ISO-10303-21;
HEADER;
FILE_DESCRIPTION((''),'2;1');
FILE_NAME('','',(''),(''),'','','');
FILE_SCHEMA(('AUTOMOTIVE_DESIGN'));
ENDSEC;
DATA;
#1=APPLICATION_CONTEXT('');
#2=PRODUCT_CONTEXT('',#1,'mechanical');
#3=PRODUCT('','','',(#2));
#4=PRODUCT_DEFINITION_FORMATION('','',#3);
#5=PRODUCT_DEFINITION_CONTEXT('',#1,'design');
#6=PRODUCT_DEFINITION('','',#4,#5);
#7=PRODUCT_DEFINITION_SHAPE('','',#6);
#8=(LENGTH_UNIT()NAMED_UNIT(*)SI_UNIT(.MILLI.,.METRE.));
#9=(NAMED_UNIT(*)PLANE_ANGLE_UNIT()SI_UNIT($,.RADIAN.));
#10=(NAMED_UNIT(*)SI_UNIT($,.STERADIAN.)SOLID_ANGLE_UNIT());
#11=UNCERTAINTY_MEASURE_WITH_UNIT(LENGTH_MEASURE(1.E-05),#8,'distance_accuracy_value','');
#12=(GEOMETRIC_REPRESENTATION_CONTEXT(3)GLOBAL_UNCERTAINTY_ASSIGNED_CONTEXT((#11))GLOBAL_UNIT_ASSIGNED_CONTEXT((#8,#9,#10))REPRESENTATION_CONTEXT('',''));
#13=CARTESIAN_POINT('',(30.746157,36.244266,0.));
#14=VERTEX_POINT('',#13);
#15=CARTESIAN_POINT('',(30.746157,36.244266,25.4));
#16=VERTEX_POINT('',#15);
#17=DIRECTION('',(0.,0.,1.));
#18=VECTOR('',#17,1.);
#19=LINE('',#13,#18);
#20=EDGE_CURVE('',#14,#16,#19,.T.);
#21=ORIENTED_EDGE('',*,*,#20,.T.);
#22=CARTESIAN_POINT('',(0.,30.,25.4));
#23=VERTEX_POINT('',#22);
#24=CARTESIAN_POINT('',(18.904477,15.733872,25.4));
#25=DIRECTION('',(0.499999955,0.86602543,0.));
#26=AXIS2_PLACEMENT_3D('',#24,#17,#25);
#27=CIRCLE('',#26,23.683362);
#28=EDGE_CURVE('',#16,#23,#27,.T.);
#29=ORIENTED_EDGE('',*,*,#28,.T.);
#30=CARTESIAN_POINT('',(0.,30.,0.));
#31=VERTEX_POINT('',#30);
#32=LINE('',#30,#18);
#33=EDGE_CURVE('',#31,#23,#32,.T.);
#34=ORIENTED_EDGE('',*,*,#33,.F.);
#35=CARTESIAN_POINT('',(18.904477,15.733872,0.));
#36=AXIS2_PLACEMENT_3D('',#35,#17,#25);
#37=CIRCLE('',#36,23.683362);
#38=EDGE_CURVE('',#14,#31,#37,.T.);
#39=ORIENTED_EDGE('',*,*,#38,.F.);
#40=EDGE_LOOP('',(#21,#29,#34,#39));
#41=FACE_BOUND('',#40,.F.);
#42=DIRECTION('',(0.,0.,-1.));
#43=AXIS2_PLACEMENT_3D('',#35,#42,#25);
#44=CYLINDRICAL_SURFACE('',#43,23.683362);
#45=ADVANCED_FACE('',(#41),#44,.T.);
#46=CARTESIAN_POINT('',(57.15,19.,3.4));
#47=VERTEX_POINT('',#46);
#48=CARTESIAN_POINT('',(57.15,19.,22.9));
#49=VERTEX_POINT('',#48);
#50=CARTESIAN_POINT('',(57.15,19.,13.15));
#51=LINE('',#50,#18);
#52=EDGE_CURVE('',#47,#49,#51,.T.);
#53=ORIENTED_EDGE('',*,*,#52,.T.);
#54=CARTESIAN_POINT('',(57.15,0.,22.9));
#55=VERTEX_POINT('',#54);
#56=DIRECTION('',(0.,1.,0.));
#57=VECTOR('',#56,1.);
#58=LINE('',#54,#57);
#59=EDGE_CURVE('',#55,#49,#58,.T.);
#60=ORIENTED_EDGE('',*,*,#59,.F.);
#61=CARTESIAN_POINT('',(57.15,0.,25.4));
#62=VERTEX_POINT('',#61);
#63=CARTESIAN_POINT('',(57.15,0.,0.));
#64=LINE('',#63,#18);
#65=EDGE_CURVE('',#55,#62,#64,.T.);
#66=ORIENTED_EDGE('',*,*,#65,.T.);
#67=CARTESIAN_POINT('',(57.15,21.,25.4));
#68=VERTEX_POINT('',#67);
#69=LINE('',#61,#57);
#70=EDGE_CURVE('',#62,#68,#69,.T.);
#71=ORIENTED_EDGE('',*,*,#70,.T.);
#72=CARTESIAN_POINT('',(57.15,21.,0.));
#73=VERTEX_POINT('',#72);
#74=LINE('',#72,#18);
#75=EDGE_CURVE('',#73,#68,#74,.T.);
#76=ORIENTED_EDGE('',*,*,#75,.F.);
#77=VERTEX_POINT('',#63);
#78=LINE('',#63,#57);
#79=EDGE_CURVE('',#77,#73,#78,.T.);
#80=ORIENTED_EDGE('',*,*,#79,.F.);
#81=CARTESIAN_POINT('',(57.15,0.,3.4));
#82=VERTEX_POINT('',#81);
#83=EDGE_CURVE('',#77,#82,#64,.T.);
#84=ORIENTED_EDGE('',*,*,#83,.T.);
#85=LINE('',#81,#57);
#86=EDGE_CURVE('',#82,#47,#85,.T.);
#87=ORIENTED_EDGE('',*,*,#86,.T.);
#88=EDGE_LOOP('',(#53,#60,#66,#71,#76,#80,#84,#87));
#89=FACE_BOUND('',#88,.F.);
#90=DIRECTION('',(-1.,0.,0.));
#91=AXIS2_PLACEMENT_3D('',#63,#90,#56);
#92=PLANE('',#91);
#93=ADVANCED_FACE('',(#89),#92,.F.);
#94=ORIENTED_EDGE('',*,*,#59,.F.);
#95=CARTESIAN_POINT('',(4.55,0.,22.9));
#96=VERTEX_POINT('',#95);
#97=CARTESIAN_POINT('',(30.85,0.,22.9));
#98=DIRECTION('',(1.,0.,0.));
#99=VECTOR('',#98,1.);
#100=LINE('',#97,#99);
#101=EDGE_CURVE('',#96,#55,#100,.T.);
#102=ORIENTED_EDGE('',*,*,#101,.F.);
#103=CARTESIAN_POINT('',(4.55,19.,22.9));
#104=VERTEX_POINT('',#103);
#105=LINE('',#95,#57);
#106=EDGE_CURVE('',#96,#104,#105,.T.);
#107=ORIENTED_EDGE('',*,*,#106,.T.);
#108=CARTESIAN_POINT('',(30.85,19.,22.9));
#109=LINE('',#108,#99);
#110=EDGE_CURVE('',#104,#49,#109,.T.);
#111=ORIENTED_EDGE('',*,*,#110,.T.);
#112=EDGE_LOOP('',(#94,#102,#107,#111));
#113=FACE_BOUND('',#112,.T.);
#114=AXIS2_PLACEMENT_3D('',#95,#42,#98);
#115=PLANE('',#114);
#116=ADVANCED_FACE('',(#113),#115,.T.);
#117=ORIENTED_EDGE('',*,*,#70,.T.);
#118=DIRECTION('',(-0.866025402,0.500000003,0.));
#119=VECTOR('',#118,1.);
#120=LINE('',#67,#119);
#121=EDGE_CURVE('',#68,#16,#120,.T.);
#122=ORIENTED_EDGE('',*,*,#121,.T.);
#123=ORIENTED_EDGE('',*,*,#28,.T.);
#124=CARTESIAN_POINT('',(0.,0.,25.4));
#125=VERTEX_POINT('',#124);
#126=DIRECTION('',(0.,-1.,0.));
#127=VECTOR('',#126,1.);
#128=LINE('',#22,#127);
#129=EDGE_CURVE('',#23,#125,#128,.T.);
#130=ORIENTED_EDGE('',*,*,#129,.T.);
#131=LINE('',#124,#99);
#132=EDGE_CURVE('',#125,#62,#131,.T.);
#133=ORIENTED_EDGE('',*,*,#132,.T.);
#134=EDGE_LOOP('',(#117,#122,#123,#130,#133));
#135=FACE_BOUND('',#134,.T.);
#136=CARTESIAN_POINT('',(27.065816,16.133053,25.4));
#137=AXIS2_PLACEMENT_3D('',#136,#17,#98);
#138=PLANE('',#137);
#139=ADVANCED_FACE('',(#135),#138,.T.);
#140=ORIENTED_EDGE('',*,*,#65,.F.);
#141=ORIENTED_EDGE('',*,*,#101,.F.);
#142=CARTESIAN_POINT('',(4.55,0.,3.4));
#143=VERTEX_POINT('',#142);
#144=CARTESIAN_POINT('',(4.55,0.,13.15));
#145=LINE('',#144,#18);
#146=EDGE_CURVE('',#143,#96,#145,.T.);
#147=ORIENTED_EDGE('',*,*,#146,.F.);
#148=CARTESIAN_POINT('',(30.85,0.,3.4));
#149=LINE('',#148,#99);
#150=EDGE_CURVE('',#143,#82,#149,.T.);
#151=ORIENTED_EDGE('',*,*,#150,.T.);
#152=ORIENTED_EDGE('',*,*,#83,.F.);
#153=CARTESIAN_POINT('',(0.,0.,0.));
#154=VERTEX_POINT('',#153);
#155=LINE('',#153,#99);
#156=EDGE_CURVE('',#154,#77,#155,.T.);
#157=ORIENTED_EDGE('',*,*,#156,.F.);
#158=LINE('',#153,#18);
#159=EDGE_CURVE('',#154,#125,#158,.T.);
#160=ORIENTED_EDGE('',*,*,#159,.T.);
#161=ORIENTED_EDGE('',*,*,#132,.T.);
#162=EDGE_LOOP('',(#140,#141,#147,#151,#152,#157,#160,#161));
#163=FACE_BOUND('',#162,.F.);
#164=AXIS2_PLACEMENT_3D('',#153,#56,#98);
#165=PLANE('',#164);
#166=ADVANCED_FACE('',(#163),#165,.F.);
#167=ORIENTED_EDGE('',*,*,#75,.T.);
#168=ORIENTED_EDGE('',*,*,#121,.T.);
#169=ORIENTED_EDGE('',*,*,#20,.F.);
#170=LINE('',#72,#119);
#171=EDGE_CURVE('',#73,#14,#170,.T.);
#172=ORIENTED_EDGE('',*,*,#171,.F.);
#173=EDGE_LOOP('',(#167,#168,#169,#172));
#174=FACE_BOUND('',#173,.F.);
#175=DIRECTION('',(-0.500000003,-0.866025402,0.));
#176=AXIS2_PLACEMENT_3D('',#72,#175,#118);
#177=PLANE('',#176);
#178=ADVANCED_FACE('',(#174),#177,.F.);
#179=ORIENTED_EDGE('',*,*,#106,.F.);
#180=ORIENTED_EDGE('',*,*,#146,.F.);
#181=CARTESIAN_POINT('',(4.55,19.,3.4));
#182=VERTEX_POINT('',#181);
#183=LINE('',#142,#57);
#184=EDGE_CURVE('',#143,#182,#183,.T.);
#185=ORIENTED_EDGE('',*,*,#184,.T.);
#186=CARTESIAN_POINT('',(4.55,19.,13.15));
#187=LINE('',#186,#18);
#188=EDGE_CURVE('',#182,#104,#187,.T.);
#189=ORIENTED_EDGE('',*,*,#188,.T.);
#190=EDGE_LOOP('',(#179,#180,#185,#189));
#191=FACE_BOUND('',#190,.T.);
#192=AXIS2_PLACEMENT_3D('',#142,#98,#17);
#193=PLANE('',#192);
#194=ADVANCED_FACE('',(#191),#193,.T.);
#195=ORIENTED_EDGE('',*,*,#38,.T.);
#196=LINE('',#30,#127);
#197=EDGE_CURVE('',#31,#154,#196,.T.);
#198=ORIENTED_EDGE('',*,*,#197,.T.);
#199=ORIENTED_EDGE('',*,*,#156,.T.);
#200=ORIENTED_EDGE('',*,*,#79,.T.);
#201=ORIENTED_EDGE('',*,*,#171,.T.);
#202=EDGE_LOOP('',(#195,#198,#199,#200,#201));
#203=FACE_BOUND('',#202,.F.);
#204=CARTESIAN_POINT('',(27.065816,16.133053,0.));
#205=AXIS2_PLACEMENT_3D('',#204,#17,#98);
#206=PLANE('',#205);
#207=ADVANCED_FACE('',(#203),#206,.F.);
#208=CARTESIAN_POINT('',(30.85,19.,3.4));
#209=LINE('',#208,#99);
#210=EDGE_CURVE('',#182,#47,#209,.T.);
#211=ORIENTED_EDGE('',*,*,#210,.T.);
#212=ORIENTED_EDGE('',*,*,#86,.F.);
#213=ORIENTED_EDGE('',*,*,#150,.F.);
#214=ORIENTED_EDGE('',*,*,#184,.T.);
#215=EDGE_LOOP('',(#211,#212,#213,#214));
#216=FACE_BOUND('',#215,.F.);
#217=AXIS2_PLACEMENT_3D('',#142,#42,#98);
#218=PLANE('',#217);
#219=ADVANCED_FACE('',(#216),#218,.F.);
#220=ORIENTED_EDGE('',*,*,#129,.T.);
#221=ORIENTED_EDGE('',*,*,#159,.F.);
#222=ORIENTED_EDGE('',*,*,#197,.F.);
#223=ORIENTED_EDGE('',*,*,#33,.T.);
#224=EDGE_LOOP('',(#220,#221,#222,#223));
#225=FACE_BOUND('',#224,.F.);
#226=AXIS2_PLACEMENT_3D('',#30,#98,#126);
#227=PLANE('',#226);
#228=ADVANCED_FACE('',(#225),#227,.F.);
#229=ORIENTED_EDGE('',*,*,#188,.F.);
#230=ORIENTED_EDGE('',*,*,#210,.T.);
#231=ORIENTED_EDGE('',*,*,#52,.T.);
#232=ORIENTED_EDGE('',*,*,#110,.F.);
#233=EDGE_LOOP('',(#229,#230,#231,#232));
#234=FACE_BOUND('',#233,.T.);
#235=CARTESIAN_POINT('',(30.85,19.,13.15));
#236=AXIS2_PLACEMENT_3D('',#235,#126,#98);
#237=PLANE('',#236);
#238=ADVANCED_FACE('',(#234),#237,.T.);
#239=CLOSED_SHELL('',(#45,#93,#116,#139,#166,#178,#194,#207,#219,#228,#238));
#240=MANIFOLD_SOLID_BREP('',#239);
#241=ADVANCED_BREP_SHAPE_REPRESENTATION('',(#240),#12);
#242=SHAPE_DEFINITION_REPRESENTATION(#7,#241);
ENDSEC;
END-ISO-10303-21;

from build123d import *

# Parameters (mm, degrees)
F1_DEPTH = 25.4
F2_W     = 52.6
F2_H     = 19.5
F3_DEPTH = 19


with BuildPart() as f1:
    # F0 (on Top) → F1 (new body)
    with BuildSketch(Plane.XY):
        with BuildLine():
            Line((0, 30), (0, 0))
            Line((0, 0), (57.15, 0))
            Line((57.15, 0), (57.15, 21))
            Line((57.15, 21), (30.746157, 36.244266))
            ThreePointArc((30.746157, 36.244266), (14.190828, 38.943421), (0, 30))
        make_face()
    extrude(amount=F1_DEPTH)

    # F2 (on face) → F3 (cut)
    with BuildSketch(Plane.XZ):
        with Locations((30.85, 13.15)):
            Rectangle(F2_W, F2_H)
    extrude(amount=-F3_DEPTH, mode=Mode.SUBTRACT)


solid = f1.part
